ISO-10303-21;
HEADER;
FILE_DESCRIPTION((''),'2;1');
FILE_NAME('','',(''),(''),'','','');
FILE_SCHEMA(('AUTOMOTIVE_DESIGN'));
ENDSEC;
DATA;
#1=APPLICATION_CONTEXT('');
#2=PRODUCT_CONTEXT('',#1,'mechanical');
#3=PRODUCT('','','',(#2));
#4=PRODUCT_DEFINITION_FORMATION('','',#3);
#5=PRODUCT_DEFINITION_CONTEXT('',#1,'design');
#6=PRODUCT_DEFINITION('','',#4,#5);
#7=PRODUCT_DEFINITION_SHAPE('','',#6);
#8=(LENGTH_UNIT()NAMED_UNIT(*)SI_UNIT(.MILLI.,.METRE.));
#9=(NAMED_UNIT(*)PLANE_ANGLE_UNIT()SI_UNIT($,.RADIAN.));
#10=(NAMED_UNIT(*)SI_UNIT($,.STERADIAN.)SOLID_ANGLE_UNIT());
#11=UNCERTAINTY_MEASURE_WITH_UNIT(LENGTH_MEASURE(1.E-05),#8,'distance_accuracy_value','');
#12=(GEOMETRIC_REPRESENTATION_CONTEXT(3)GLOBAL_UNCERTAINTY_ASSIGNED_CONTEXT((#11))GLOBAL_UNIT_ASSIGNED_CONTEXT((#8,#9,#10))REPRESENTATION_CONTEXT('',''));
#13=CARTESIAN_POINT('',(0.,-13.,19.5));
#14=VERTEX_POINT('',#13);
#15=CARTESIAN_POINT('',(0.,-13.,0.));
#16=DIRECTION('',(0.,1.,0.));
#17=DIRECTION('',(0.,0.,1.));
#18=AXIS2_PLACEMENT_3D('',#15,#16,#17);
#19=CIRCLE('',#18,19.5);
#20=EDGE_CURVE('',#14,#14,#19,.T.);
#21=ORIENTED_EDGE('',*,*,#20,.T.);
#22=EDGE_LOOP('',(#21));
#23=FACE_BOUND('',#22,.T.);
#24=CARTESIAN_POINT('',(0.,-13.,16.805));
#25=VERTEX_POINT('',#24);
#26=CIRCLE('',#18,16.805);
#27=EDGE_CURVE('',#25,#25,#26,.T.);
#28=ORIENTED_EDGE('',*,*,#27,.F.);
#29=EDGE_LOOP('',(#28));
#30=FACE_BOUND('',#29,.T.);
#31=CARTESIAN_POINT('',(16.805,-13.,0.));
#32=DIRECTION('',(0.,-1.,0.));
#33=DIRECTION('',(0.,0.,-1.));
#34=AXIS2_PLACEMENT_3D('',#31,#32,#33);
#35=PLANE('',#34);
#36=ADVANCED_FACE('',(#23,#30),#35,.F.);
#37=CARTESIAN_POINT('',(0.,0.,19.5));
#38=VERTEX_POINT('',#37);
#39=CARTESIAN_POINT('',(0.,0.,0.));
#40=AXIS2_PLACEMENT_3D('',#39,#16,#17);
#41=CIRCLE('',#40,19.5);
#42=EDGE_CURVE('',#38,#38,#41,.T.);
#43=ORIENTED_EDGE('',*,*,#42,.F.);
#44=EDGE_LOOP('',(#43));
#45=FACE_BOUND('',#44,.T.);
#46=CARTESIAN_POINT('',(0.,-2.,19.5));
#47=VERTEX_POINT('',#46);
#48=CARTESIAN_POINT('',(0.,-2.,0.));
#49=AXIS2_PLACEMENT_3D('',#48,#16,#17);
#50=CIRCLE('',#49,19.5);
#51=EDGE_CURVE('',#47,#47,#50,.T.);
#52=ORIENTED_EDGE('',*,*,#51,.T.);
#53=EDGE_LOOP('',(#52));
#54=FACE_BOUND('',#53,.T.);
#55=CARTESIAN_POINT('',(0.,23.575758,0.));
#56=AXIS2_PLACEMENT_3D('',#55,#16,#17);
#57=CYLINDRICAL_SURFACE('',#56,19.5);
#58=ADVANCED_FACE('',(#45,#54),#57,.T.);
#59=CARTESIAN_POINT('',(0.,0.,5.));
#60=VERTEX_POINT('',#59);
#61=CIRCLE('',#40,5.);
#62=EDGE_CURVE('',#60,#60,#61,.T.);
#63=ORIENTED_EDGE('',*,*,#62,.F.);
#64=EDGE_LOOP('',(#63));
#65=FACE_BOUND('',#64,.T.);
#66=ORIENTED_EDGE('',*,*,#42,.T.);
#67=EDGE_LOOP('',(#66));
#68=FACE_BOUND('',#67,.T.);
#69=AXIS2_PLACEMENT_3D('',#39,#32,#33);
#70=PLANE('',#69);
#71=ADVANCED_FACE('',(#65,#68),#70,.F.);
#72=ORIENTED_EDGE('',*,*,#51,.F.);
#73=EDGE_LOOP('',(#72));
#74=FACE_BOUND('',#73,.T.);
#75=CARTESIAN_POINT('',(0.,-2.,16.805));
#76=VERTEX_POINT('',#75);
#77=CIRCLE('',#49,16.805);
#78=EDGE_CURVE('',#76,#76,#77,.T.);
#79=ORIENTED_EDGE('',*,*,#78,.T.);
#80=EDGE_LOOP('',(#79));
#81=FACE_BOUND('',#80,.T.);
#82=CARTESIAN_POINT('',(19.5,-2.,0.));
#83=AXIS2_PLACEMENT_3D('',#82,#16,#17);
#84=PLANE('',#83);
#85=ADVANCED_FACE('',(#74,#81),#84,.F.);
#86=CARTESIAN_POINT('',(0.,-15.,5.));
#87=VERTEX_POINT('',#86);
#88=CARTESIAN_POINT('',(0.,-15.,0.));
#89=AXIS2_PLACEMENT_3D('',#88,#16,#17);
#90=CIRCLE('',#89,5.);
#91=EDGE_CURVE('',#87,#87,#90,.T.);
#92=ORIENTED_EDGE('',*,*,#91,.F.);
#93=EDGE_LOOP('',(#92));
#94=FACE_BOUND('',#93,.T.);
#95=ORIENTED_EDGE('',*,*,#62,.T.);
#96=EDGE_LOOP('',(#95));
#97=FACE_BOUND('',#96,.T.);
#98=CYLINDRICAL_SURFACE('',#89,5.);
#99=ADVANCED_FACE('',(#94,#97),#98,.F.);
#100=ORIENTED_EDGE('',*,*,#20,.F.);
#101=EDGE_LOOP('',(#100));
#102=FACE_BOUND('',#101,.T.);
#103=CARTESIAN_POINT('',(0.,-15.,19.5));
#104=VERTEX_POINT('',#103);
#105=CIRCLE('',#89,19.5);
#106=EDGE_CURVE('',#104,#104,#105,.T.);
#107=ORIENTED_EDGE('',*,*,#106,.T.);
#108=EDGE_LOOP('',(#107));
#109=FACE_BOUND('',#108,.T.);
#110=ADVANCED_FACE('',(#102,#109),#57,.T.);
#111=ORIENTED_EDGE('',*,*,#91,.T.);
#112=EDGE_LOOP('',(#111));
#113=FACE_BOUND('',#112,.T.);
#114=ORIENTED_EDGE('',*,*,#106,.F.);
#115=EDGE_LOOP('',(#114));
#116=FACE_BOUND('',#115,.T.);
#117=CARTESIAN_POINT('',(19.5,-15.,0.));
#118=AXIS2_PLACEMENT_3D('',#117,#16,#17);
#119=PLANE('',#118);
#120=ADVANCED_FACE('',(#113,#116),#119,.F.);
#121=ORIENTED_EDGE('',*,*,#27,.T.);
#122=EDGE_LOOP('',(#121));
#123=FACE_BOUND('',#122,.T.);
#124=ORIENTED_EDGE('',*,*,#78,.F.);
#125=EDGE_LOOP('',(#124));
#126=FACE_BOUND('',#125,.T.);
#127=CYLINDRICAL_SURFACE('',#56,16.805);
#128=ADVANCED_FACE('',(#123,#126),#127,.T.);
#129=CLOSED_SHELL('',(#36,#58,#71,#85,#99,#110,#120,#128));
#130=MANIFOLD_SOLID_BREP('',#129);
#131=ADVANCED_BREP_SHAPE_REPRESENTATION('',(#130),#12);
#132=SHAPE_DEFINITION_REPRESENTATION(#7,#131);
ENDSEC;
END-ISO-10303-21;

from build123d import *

# Parameters (mm, degrees)
SKETCH_2_R          = 5
CUT_EXTRUDE_1_DEPTH = 32.392674305


with BuildPart() as part:
    # 草图1 → 旋转1 (revolve)
    with BuildSketch(Plane.XY, mode=Mode.PRIVATE) as revolve_1_sk:
        Polygon((0, 0), (19.5, 0), (19.5, -2), (16.805, -2), (16.805, -13), (19.5, -13), (19.5, -15), (0, -15), align=None)
    revolve(revolve_1_sk.sketch.rotate(Axis((0, 23.575757576, 0), (0, -1, 0)), 90), axis=Axis((0, 23.575757576, 0), (0, -1, 0)))

    # 草图2 → 切除-拉伸1 (cut, through all)
    with BuildSketch(Plane(origin=(0, 0, 0), x_dir=(1, 0, 0), z_dir=(0, 1, 0))):
        with Locations(Location((0, 0, 0), (0, 0, 270))):
            Circle(SKETCH_2_R)
    extrude(amount=-CUT_EXTRUDE_1_DEPTH, mode=Mode.SUBTRACT)


solid = part.part
